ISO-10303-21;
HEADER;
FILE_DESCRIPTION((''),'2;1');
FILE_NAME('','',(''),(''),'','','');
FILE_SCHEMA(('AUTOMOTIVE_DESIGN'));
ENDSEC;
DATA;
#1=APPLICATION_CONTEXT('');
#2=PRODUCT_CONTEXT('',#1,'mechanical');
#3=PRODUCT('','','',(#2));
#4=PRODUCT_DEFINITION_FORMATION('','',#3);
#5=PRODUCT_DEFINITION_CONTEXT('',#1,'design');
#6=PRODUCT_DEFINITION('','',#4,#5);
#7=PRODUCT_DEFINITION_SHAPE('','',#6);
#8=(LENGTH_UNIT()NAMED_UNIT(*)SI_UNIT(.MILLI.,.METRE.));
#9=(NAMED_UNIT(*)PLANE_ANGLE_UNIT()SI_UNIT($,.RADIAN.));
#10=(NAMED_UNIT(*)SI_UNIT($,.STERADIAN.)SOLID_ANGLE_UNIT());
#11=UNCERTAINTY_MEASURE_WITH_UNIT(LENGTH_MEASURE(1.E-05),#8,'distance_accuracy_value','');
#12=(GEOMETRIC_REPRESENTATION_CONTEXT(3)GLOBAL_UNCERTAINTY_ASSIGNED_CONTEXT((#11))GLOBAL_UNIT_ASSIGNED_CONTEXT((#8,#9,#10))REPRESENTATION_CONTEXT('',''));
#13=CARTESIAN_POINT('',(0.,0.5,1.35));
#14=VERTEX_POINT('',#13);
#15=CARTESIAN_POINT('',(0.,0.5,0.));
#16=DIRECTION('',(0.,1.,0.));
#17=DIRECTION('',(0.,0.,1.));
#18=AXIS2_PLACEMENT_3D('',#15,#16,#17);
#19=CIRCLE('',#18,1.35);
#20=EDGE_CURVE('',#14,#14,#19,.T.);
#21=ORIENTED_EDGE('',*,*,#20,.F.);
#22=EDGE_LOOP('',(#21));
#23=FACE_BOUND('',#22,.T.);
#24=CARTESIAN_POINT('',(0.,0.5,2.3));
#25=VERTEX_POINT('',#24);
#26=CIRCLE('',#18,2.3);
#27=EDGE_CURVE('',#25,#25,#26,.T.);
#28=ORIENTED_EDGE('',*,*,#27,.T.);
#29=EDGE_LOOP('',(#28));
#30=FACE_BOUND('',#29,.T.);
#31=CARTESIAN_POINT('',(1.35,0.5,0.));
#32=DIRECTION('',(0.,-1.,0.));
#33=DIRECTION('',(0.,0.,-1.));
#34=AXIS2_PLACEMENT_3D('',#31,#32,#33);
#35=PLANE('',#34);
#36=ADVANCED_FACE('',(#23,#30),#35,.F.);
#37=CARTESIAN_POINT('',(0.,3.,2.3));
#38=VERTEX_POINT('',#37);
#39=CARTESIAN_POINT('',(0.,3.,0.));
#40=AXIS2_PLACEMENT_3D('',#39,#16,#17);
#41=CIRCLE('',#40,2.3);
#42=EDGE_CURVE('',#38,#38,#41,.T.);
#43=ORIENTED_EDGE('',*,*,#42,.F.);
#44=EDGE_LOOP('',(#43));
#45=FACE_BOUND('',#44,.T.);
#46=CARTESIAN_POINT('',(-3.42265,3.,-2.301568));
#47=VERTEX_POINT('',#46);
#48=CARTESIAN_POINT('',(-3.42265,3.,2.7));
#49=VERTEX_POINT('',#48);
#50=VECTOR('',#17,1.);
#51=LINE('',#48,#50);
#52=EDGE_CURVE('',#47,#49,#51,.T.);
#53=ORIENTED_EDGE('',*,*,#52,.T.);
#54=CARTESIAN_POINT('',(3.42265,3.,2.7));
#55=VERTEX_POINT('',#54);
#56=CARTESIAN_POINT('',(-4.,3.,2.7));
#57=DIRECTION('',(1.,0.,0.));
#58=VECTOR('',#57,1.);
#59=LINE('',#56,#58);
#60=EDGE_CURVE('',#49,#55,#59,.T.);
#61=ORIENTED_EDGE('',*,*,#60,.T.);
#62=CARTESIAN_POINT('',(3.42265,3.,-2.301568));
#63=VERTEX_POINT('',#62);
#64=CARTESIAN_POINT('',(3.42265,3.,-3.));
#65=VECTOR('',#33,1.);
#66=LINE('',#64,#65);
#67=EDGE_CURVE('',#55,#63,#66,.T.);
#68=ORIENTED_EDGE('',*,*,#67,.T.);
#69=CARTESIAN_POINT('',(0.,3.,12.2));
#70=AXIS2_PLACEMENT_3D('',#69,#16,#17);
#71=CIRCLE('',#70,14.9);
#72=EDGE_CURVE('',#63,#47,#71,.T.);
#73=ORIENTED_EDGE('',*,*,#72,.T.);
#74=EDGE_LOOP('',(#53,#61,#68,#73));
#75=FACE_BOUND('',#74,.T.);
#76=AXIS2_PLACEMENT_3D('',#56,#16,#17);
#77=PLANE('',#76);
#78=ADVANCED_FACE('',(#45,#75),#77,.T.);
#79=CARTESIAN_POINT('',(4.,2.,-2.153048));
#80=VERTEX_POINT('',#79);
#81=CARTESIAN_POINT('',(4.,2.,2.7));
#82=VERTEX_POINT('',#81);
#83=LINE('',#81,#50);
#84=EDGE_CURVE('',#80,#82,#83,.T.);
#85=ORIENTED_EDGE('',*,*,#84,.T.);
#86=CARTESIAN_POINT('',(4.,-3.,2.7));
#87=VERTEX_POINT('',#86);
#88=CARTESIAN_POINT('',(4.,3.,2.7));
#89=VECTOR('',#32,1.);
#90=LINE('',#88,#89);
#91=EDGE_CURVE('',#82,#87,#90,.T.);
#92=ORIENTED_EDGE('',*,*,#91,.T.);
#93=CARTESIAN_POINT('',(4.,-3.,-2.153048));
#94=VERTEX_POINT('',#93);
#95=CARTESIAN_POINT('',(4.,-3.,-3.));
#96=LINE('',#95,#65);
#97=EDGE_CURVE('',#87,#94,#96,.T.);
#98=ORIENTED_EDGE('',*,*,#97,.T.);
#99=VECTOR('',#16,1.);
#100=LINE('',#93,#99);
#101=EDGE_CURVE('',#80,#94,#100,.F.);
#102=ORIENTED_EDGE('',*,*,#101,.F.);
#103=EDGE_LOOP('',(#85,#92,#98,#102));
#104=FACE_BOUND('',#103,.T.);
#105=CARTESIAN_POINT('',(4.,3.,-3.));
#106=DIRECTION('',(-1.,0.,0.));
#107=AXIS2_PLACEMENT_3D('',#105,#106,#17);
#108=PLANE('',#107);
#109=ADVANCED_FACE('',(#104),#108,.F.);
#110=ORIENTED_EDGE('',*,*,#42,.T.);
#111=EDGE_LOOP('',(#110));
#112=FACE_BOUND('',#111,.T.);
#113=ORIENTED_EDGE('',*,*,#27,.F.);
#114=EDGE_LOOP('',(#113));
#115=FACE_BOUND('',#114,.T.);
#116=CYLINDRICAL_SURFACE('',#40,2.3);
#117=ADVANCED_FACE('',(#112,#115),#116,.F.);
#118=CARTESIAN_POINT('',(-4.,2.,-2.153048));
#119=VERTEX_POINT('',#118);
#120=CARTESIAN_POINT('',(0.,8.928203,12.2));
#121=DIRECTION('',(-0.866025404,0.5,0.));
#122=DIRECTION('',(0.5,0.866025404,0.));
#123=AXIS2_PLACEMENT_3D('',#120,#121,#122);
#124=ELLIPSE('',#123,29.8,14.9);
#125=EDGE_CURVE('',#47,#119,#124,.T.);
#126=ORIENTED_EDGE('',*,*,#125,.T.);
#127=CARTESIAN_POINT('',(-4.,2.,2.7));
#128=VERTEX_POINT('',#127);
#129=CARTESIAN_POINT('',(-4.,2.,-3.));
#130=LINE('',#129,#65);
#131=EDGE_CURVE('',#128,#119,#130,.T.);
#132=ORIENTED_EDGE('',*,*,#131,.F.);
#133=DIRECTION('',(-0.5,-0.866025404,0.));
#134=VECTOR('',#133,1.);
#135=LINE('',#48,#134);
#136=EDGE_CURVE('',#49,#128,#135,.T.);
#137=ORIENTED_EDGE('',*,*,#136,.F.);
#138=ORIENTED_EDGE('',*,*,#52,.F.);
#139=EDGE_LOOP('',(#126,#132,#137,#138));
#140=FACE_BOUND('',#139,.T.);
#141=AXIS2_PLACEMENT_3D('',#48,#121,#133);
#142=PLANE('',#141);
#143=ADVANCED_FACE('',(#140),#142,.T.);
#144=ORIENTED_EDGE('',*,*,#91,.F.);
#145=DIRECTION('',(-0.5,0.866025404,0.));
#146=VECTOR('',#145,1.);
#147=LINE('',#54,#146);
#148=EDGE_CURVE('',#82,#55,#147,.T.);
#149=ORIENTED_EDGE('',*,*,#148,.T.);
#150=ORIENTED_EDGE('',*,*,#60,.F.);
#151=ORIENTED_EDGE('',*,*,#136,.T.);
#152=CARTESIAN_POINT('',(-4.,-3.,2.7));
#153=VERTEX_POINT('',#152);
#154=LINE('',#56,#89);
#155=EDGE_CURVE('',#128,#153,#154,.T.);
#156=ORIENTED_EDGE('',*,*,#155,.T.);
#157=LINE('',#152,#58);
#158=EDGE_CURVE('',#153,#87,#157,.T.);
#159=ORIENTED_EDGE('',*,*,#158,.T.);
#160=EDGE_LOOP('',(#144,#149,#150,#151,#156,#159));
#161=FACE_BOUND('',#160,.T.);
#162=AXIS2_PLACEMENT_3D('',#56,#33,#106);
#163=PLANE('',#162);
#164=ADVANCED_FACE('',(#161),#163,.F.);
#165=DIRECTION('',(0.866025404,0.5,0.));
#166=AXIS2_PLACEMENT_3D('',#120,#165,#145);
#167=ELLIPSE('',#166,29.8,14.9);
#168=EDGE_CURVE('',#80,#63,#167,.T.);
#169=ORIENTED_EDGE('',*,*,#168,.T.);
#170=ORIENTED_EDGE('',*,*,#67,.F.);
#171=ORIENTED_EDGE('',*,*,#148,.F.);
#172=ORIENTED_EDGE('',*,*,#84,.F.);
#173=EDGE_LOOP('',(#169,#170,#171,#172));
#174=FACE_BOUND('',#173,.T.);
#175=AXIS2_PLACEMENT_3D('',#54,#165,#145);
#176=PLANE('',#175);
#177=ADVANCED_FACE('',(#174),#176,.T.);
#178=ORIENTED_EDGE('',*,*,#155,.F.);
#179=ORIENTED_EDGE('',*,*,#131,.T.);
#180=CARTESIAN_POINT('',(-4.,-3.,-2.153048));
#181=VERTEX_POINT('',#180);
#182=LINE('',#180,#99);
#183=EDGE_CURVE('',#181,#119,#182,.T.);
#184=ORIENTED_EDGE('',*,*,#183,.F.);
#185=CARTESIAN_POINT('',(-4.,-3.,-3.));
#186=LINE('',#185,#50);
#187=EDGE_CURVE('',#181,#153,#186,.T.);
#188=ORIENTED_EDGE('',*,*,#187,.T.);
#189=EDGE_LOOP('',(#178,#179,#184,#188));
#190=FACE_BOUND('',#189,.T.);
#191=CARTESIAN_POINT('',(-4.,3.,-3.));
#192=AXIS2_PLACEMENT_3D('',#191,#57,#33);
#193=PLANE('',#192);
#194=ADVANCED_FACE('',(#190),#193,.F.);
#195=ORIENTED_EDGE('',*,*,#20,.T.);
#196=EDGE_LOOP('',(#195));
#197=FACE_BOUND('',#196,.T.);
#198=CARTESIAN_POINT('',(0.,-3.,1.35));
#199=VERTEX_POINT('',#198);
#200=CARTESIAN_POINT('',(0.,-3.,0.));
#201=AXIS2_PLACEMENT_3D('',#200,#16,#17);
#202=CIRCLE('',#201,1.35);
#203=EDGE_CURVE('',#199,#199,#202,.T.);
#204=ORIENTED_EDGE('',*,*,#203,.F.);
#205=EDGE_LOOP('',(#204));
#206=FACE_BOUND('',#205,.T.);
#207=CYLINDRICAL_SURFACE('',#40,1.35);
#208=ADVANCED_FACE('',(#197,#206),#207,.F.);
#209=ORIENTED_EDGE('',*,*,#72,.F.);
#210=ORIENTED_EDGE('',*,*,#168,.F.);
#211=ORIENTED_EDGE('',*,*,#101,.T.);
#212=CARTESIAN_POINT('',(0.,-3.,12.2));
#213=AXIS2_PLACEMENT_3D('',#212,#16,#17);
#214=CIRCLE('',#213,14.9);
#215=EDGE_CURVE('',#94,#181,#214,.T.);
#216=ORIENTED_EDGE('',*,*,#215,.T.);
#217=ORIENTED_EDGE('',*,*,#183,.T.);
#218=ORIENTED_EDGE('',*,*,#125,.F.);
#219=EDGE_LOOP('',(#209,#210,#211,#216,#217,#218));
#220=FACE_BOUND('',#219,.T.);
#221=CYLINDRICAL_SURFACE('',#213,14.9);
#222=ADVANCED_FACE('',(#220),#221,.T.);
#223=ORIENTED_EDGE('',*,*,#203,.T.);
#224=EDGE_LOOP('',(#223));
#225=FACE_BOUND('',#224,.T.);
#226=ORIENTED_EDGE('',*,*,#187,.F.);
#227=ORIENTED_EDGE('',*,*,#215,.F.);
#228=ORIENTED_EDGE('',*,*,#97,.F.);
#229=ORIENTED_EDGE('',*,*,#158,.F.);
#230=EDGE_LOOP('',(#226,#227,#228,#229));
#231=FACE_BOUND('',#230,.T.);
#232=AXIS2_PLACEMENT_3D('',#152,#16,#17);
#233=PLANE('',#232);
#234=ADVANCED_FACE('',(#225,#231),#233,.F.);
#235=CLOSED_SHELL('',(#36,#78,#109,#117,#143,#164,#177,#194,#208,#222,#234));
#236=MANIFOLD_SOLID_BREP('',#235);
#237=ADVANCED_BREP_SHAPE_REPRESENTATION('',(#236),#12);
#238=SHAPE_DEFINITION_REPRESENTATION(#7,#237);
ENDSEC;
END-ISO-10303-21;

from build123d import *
from OCP.BRepFilletAPI import BRepFilletAPI_MakeChamfer

# Parameters (mm, degrees)
SKETCH1_W                = 8
SKETCH1_H                = 5.7
EXTRUDED_BOSS_BASE_DEPTH = 3
LEGACY_HOLE_D            = 2.7
LEGACY_HOLE_CBORE_D      = 4.6
LEGACY_HOLE_CBORE_DEPTH  = 2.5
FILLET_2_SIZE            = 1
FILLET_2_SIZE2           = 0.577350269
SKETCH4_R                = 15.717506164
SKETCH4_R_2              = 14.9
EXTRUDED_CUT_DEPTH       = 8.810249676


with BuildPart() as part:
    # Sketch1 → Extruded Boss/Base (new, symmetric)
    with BuildSketch(Plane(origin=(0, 0, 0), x_dir=(1, 0, 0), z_dir=(0, 1, 0))):
        with Locations((0, 0.15)):
            Rectangle(SKETCH1_W, SKETCH1_H)
    extrude(amount=EXTRUDED_BOSS_BASE_DEPTH, both=True)

    # Legacy Hole (through all)
    with Locations(Plane(origin=(0, 3, 0), x_dir=(-1, 0, 0), z_dir=(0, 1, 0))):
        with Locations((0, 0)):
            CounterBoreHole(LEGACY_HOLE_D / 2, LEGACY_HOLE_CBORE_D / 2, LEGACY_HOLE_CBORE_DEPTH)

    # Fillet 2: one chamfer whose edges measure the first distance from different faces: ONE call of the kernel's chamfer builder (chamfer() names one face for all edges)
    fillet_2_edges_1 = [part.edges().sort_by_distance(p)[0] for p in [
        (4, 3, -0.15),
    ]]
    fillet_2_side_1 = [part.faces().sort_by_distance(p)[0] for p in [
        (4, 0, -0.15),
    ]]
    fillet_2_edges_2 = [part.edges().sort_by_distance(p)[0] for p in [
        (-4, 3, -0.15),
    ]]
    fillet_2_side_2 = [part.faces().sort_by_distance(p)[0] for p in [
        (-4, 0, -0.15),
    ]]
    fillet_2 = BRepFilletAPI_MakeChamfer(part.part.solid().wrapped)
    for e in fillet_2_edges_1:
        fillet_2.Add(FILLET_2_SIZE, FILLET_2_SIZE2, e.wrapped, fillet_2_side_1[0].wrapped)  # the first distance lies on this face
    for e in fillet_2_edges_2:
        fillet_2.Add(FILLET_2_SIZE, FILLET_2_SIZE2, e.wrapped, fillet_2_side_2[0].wrapped)  # the first distance lies on this face
    add(Compound.cast(fillet_2.Shape()), mode=Mode.REPLACE)

    # Sketch4 → Extruded Cut (cut, through all)
    with BuildSketch(Plane(origin=(0, 3, 0), x_dir=(1, 0, 0), z_dir=(0, 1, 0))):
        with Locations((0, -12.2)):
            Circle(SKETCH4_R)
        with Locations((0, -12.2)):
            Circle(SKETCH4_R_2, mode=Mode.SUBTRACT)
    extrude(amount=-EXTRUDED_CUT_DEPTH, mode=Mode.SUBTRACT)


solid = part.part
